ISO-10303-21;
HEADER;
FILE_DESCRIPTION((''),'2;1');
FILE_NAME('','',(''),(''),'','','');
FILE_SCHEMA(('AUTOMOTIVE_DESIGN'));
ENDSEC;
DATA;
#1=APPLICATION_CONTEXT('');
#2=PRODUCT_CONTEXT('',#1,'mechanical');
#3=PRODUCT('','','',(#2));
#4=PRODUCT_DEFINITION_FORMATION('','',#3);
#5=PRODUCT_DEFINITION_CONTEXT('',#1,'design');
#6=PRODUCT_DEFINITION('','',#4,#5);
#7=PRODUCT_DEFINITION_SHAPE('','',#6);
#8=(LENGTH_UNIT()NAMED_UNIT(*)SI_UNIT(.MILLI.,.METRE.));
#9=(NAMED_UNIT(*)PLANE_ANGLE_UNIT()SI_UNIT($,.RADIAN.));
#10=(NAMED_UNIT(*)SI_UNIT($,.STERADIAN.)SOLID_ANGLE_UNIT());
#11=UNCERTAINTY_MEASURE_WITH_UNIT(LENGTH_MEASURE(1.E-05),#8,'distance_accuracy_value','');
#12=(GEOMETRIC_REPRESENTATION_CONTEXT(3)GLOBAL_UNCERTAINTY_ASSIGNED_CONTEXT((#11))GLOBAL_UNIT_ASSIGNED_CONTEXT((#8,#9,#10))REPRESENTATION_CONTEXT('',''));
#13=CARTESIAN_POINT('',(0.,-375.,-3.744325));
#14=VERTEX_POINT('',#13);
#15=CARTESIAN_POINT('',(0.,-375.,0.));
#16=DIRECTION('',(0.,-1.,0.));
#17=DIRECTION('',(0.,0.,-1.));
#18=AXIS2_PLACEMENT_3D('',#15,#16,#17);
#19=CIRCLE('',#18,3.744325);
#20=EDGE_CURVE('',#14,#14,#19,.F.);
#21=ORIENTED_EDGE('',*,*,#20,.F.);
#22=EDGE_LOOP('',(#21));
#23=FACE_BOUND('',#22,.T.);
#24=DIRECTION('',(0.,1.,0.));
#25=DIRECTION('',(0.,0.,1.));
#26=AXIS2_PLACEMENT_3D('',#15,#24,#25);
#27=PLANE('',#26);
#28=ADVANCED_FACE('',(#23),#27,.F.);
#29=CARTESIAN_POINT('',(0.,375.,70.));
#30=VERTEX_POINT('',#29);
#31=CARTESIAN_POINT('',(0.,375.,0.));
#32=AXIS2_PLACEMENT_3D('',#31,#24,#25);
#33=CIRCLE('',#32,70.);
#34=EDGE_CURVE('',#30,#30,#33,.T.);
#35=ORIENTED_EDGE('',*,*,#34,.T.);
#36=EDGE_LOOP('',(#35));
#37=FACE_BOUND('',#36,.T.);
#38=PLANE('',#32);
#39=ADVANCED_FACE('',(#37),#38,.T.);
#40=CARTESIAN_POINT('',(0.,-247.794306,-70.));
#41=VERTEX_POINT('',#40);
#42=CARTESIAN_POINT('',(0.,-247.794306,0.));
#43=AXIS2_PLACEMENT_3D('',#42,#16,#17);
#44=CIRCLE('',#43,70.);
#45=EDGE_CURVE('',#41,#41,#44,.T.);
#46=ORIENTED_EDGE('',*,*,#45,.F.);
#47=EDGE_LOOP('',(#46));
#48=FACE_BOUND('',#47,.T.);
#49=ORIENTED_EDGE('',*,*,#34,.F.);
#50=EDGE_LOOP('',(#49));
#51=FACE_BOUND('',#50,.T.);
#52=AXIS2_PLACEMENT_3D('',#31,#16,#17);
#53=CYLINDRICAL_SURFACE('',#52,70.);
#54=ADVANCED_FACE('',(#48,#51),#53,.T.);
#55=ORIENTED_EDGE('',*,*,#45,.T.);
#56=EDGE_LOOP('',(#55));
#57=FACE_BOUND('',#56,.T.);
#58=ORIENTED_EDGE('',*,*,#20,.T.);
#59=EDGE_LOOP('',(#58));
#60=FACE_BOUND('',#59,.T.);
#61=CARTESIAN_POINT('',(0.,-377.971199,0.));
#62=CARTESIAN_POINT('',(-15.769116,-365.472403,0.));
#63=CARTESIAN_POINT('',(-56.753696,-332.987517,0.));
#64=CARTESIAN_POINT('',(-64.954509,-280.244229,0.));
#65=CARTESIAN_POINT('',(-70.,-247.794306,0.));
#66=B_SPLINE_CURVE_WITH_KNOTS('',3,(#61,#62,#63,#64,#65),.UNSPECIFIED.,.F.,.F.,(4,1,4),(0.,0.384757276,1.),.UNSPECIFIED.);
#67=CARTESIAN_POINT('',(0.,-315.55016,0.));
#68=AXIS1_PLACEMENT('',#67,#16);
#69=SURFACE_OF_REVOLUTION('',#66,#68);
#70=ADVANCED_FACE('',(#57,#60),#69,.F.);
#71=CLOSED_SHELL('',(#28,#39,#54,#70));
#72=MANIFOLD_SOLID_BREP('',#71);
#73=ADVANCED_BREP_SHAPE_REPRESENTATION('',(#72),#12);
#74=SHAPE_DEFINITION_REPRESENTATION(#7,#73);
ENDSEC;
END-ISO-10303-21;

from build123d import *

# Parameters (mm, degrees)
SKETCH1_R      = 70
EXTRUDE1_DEPTH = 375


with BuildPart() as part:
    # Sketch1 → Extrude1 (new body, symmetric)
    with BuildSketch(Plane(origin=(0, 0, 0), x_dir=(1, 0, 0), z_dir=(0, 1, 0))):
        with Locations(Location((0, 0, 0), (0, 0, 270))):  # turned: the seam where the file's is
            Circle(SKETCH1_R)
    extrude(amount=EXTRUDE1_DEPTH, both=True)

    # Sketch2 → Cut-Revolve1 (revolve, cut)
    with BuildSketch(Plane.XY, mode=Mode.PRIVATE) as cut_revolve1_sk:
        with BuildLine():
            Line((-70, -247.794305726), (-139.12869609, -247.794305726))
            Line((-139.12869609, -247.794305726), (-117.349403122, -403.920416703))
            Line((-117.349403122, -403.920416703), (0, -421.379639628))
            Line((0, -421.379639628), (0, -377.971198962))
            add(Edge.make_bspline(
                [(0, -377.971198962), (-15.769115632, -365.472402654), (-56.753696333, -332.987516507), (-64.954509419, -280.244229372), (-70, -247.794305726)],
                knots=[0, 0, 0, 0, 0.384757276, 1, 1, 1, 1], degree=3))
        make_face()
    revolve(cut_revolve1_sk.sketch.rotate(Axis((0, -315.550160193, 0), (0, 1, 0)), 270), axis=Axis((0, -315.550160193, 0), (0, 1, 0)), mode=Mode.SUBTRACT)  # turned: the seam where the file's is


solid = part.part
